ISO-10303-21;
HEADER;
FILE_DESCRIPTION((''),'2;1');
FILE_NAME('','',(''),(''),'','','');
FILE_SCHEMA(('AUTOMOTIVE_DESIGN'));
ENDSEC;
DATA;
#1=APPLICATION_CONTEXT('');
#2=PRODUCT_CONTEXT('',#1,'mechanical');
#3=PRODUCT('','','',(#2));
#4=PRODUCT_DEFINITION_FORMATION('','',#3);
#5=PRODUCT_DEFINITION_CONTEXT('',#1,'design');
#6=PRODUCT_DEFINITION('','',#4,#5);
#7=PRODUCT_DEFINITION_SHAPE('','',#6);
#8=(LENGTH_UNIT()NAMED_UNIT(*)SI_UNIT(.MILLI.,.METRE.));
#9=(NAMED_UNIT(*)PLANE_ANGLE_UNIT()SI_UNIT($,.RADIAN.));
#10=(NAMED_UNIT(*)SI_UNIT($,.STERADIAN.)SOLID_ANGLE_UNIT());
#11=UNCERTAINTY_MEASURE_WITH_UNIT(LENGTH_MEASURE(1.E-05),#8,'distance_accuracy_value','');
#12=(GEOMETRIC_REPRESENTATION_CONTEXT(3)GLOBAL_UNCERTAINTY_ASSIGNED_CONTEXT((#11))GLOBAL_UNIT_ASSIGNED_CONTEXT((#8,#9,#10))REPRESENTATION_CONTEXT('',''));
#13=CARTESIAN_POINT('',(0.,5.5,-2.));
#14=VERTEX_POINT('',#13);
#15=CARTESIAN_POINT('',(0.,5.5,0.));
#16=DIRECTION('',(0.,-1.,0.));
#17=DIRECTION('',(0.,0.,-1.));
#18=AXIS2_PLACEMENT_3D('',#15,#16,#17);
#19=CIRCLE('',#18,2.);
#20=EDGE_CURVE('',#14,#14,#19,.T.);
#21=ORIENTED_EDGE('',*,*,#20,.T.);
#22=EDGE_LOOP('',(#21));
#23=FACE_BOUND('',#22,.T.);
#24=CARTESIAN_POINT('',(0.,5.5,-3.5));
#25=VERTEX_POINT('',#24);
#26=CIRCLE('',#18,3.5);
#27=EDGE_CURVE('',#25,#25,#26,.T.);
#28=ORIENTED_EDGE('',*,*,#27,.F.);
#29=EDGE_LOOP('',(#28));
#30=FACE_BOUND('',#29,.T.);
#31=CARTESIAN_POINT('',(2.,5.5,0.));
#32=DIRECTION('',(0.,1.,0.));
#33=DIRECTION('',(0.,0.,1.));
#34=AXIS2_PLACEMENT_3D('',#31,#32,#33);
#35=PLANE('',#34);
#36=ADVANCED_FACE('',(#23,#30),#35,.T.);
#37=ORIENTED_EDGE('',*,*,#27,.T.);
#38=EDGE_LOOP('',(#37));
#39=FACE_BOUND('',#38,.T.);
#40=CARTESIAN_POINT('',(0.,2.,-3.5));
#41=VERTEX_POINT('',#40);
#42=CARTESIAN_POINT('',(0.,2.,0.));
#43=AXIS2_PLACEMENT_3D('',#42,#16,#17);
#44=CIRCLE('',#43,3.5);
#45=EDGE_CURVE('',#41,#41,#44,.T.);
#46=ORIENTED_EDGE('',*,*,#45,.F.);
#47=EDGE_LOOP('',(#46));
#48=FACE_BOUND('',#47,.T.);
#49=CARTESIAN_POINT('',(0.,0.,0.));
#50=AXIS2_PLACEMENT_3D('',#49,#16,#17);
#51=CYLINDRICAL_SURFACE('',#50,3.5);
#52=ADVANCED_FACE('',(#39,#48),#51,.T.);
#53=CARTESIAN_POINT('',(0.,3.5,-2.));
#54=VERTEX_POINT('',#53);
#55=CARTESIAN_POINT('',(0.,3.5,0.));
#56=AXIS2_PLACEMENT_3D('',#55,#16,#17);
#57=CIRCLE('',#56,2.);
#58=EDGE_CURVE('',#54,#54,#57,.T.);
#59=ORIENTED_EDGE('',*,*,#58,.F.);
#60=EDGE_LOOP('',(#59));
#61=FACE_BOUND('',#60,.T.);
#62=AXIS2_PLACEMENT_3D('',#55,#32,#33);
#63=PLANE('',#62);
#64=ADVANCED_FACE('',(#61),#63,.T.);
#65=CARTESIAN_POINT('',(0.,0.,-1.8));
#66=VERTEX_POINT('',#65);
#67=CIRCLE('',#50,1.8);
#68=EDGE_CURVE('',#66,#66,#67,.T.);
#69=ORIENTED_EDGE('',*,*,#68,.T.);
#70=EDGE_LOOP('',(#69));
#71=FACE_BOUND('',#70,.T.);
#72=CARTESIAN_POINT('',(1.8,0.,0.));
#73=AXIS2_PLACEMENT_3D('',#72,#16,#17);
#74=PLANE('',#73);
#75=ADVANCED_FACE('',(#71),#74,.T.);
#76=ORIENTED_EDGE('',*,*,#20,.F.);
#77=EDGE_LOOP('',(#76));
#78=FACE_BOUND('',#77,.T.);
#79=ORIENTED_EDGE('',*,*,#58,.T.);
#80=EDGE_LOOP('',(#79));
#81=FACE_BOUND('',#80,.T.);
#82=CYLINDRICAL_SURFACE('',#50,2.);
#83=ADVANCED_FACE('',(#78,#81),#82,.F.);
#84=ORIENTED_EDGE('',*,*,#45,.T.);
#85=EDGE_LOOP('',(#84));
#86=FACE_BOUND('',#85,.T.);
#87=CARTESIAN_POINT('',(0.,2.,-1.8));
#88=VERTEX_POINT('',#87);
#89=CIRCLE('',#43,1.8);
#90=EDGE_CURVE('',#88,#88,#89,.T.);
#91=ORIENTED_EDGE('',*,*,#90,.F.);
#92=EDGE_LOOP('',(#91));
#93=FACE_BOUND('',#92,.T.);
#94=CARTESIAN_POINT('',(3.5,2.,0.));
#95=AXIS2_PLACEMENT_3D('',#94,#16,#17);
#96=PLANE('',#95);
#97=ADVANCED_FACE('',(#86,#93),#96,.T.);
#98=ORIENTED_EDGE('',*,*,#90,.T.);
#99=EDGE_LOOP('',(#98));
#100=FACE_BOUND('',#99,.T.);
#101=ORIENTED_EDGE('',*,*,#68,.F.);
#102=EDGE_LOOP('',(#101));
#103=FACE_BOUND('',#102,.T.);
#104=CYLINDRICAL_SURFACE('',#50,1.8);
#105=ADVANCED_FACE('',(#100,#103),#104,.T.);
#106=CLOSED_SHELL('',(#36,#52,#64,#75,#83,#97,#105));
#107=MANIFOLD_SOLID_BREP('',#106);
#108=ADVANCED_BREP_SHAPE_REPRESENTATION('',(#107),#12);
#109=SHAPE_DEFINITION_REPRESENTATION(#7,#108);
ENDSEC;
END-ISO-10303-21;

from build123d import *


with BuildPart() as part:
    # Esquisse1 → Révolution1 (revolve)
    with BuildSketch(Plane.XY, mode=Mode.PRIVATE) as r_volution1_sk:
        Polygon((0, 0), (0, 3.5), (2, 3.5), (2, 5.5), (3.5, 5.5), (3.5, 2), (1.8, 2), (1.8, 0), align=None)
    revolve(r_volution1_sk.sketch.rotate(Axis((0, 0, 0), (0, 1, 0)), 90), axis=Axis((0, 0, 0), (0, 1, 0)))


solid = part.part
